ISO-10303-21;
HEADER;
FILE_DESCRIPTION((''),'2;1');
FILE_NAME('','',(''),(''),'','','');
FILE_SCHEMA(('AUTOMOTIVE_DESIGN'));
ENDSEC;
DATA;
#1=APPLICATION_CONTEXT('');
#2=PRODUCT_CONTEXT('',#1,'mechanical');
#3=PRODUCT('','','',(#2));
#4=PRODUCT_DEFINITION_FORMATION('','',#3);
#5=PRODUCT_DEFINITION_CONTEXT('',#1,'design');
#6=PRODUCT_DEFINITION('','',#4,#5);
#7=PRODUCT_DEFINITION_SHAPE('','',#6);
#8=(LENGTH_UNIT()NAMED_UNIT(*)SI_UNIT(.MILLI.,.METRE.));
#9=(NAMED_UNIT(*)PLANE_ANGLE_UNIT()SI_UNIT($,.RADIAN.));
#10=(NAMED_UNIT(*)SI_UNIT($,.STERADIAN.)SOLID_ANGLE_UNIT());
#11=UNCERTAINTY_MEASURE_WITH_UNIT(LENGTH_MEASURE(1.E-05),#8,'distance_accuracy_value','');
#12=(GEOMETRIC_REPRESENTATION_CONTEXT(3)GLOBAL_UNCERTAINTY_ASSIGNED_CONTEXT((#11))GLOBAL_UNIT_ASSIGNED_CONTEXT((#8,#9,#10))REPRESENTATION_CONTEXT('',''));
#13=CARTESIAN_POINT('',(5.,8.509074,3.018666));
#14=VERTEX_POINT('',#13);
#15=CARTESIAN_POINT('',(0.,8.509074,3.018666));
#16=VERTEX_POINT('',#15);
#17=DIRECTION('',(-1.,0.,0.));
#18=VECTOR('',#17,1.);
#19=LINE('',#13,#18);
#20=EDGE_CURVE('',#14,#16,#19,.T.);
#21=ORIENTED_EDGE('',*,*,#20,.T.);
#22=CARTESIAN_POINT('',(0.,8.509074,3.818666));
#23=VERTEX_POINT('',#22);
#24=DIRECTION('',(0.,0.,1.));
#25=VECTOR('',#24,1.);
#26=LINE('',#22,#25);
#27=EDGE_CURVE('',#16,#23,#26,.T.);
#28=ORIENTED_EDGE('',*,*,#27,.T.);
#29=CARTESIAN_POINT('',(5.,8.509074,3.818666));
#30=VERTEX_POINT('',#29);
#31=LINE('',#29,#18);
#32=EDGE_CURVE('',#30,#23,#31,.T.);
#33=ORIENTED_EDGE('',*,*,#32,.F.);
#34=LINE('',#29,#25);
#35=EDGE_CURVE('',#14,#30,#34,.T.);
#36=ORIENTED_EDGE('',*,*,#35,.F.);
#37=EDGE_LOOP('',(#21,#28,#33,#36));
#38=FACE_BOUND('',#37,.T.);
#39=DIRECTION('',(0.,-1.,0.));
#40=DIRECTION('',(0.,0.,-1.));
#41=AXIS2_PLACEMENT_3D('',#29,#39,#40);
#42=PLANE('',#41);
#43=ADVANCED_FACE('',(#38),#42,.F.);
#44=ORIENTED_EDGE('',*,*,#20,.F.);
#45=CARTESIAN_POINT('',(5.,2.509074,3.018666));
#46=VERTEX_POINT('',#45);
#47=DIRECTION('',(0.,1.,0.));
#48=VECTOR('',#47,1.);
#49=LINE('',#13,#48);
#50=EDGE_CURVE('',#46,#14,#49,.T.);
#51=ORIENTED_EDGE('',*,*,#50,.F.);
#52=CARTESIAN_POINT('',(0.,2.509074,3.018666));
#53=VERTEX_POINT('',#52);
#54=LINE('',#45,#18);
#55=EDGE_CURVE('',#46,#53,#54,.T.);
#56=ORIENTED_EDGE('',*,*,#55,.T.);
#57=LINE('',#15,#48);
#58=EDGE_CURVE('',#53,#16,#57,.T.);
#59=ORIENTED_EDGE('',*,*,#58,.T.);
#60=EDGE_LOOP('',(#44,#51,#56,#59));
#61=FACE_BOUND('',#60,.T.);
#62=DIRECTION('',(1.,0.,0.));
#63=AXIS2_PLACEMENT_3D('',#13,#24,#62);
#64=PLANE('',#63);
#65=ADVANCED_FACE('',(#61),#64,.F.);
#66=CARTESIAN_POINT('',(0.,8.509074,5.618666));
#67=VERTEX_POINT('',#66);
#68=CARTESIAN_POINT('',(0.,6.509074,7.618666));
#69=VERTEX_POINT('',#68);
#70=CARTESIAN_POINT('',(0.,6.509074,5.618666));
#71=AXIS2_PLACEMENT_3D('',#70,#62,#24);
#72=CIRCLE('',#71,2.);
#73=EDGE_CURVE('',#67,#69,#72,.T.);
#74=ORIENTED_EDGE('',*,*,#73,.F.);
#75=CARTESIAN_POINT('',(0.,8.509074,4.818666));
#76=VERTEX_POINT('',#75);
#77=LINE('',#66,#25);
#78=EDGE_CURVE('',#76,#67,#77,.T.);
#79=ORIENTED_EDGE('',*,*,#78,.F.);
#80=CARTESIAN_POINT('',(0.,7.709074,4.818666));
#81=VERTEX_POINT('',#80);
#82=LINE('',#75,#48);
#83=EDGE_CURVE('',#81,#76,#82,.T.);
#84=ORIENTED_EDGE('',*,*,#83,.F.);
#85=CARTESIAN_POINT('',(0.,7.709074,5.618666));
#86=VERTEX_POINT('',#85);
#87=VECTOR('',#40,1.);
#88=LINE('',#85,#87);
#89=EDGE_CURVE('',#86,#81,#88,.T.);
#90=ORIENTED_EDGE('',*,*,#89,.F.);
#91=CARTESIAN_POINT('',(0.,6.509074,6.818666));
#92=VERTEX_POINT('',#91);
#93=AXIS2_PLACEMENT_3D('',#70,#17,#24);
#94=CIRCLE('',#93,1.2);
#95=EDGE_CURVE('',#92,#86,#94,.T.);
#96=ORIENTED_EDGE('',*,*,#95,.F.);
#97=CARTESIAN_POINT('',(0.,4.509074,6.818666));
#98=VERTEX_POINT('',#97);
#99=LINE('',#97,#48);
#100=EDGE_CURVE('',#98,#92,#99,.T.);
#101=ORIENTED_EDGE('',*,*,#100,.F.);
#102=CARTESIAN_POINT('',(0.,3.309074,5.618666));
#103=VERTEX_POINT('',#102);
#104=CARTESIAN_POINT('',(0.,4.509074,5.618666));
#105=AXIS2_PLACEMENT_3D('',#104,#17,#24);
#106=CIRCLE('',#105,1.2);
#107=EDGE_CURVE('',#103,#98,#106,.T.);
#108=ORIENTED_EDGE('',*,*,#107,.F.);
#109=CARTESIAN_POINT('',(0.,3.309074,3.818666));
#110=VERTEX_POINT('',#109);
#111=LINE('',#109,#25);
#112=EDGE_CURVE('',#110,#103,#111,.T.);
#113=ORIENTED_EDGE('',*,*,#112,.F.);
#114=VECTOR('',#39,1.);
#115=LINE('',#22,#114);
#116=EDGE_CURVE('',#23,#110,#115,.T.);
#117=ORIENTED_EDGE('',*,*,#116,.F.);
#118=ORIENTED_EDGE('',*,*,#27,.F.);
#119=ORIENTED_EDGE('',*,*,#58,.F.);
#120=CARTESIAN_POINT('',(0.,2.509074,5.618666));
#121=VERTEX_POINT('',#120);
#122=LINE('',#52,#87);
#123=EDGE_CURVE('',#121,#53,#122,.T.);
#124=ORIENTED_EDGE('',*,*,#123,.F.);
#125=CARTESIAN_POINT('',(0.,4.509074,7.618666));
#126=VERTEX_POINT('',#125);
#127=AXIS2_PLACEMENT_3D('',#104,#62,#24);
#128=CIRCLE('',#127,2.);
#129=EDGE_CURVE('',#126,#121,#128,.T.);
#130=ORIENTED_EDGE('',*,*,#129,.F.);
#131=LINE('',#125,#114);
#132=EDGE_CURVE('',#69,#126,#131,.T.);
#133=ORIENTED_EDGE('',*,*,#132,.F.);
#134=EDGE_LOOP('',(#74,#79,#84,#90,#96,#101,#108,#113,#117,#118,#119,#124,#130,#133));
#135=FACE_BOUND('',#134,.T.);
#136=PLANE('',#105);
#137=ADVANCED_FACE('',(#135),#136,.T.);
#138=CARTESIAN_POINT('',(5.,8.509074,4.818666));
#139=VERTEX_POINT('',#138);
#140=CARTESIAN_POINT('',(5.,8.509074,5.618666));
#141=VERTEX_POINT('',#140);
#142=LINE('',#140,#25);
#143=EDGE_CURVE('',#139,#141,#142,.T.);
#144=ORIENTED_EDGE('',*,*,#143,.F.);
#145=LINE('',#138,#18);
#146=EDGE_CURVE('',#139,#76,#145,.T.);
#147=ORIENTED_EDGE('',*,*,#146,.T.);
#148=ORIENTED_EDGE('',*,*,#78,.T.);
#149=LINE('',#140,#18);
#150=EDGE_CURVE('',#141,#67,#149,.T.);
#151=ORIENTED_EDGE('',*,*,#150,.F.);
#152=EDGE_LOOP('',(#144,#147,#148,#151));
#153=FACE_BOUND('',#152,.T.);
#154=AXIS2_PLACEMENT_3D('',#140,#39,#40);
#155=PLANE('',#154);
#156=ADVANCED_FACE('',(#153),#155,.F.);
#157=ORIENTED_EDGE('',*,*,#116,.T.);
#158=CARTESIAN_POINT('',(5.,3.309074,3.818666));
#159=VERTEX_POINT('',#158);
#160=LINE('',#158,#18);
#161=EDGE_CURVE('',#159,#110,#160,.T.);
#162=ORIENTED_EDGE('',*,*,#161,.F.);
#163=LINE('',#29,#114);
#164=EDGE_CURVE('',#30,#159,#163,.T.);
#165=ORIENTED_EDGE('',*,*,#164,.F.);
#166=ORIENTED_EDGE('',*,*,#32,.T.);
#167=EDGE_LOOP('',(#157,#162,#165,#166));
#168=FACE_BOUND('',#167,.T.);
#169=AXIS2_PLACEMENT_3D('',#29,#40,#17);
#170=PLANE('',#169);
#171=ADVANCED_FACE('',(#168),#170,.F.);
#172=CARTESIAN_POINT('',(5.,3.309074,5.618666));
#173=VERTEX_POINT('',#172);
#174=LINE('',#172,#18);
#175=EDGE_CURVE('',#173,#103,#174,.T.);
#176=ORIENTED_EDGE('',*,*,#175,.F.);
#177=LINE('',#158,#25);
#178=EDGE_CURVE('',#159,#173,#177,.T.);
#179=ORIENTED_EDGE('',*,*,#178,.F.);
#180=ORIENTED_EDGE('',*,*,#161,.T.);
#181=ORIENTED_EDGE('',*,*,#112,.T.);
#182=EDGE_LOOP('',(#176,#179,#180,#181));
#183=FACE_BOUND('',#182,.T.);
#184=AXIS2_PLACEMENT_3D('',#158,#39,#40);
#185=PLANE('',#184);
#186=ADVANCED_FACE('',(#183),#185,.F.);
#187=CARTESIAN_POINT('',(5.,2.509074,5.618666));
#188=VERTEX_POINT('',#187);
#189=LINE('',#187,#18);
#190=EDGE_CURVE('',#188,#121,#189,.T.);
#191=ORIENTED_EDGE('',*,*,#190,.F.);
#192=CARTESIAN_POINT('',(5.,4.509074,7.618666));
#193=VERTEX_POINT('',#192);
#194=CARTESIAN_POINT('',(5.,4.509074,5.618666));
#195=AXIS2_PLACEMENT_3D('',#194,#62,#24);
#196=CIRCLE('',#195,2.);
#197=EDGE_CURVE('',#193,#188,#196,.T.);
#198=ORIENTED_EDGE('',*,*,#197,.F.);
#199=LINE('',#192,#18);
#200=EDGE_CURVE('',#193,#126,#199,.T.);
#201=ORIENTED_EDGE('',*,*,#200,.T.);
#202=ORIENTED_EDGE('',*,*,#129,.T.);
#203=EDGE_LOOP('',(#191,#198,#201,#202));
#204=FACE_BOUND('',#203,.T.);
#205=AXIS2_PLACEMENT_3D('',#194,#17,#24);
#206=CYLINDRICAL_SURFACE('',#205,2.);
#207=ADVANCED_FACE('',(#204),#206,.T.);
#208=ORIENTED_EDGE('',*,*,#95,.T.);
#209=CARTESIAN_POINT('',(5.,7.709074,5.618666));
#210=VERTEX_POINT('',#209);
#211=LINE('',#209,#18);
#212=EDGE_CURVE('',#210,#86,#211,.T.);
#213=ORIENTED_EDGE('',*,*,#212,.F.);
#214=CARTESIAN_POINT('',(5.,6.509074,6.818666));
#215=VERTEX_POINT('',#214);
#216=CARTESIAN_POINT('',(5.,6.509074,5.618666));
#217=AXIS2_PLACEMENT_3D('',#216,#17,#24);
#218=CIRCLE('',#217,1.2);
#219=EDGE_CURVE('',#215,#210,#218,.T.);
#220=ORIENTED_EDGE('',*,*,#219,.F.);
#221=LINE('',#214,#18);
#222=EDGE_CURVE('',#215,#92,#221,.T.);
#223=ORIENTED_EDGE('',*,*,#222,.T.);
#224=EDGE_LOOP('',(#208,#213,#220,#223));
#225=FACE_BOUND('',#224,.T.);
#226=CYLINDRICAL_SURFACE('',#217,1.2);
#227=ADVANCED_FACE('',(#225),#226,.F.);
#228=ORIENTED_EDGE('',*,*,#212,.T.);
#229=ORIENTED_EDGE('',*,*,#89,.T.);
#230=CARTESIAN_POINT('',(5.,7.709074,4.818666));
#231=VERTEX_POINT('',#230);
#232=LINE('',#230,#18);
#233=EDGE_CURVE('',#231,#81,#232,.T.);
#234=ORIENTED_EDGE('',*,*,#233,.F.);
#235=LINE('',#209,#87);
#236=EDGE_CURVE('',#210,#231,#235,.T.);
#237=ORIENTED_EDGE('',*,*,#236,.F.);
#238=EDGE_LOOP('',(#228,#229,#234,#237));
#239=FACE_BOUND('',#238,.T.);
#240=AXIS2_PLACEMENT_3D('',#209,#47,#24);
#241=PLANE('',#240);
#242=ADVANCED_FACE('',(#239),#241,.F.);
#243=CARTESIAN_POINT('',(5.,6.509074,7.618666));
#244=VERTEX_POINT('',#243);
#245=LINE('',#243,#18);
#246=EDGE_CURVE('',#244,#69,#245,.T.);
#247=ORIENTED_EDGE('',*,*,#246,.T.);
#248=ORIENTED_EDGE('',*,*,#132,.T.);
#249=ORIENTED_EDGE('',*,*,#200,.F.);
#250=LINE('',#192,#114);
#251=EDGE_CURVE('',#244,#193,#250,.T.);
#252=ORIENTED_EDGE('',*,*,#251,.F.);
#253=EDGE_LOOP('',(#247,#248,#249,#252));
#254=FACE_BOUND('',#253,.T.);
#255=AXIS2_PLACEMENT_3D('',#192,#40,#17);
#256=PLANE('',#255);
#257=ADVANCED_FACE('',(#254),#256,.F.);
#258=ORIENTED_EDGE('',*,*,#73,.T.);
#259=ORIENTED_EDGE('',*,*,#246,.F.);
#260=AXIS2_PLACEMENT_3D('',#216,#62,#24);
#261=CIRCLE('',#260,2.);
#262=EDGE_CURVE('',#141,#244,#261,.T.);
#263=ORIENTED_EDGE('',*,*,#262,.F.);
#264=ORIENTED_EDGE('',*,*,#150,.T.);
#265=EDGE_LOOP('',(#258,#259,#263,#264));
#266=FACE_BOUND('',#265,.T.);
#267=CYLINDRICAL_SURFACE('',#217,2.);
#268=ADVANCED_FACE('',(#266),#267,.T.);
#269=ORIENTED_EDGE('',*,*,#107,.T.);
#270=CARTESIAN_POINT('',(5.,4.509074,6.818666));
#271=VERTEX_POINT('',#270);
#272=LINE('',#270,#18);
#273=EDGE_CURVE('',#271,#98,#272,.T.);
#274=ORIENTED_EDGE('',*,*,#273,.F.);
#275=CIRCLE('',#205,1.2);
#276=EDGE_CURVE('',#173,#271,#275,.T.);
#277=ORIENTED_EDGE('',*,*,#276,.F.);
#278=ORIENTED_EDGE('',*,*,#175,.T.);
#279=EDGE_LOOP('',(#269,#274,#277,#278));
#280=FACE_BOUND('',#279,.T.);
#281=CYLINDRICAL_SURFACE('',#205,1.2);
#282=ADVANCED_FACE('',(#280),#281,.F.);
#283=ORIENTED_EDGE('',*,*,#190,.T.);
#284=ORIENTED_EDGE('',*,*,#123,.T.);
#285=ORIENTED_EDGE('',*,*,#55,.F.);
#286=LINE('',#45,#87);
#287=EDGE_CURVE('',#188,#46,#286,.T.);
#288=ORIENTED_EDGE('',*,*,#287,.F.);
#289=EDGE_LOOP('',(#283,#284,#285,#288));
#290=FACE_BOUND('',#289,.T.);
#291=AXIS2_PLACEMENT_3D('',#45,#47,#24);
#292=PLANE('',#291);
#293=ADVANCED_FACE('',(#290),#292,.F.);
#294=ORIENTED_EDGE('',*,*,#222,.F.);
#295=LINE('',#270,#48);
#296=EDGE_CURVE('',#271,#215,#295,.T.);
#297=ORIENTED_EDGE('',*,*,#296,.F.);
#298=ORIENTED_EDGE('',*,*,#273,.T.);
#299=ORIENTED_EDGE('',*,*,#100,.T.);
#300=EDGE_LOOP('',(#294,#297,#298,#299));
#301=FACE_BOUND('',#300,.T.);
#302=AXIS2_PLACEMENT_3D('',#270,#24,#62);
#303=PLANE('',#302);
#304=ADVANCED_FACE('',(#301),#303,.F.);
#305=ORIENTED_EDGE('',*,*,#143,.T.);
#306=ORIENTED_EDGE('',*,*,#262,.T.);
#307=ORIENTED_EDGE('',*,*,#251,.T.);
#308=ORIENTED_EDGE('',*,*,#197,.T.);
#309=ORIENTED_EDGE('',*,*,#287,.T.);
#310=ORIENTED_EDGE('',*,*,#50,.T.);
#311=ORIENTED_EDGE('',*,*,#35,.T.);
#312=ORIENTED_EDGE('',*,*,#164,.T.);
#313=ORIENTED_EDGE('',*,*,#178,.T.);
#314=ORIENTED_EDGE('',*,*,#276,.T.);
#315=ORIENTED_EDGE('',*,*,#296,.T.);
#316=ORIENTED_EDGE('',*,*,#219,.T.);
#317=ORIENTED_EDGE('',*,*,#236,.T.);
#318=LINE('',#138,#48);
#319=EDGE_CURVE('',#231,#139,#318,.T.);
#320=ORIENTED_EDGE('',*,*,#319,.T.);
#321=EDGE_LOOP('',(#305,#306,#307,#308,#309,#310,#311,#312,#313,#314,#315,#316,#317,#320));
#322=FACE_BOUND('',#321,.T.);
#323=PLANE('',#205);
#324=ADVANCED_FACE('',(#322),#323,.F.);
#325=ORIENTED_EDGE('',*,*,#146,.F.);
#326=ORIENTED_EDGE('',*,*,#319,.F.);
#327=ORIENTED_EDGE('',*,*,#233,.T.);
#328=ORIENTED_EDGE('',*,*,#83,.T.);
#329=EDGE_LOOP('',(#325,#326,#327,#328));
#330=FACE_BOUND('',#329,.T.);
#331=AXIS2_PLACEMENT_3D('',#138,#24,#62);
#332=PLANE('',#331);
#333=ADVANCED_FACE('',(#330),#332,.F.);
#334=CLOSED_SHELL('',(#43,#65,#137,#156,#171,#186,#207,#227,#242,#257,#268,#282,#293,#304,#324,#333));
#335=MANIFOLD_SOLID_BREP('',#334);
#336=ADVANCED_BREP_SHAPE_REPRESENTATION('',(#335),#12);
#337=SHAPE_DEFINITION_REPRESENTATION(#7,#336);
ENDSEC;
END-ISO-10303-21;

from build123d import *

# Parameters (mm, degrees)
EXTRUDE_1_DEPTH = 5


with BuildPart() as part:
    # Эскиз2 → Бобышка-Вытянуть1 (new body)
    with BuildSketch(Plane(origin=(0, 0, 0), x_dir=(0, 0, -1), z_dir=(1, 0, 0))):
        with BuildLine():
            Line((-3.01866618, 8.509074189), (-3.01866618, 2.509074189))
            Line((-3.01866618, 2.509074189), (-5.61866618, 2.509074189))
            ThreePointArc((-5.61866618, 2.509074189), (-7.032879742, 3.094860626), (-7.61866618, 4.509074189))
            Line((-7.61866618, 4.509074189), (-7.61866618, 6.509074189))
            ThreePointArc((-7.61866618, 6.509074189), (-7.032879742, 7.923287751), (-5.61866618, 8.509074189))
            Line((-5.61866618, 8.509074189), (-4.81866618, 8.509074189))
            Line((-4.81866618, 8.509074189), (-4.81866618, 7.709074189))
            Line((-4.81866618, 7.709074189), (-5.61866618, 7.709074189))
            ThreePointArc((-5.61866618, 7.709074189), (-6.467194317, 7.357602326), (-6.81866618, 6.509074189))
            Line((-6.81866618, 6.509074189), (-6.81866618, 4.509074189))
            ThreePointArc((-6.81866618, 4.509074189), (-6.467194317, 3.660546051), (-5.61866618, 3.309074189))
            Line((-5.61866618, 3.309074189), (-3.81866618, 3.309074189))
            Line((-3.81866618, 3.309074189), (-3.81866618, 8.509074189))
            Line((-3.81866618, 8.509074189), (-3.01866618, 8.509074189))
        make_face()
    extrude(amount=EXTRUDE_1_DEPTH)


solid = part.part
